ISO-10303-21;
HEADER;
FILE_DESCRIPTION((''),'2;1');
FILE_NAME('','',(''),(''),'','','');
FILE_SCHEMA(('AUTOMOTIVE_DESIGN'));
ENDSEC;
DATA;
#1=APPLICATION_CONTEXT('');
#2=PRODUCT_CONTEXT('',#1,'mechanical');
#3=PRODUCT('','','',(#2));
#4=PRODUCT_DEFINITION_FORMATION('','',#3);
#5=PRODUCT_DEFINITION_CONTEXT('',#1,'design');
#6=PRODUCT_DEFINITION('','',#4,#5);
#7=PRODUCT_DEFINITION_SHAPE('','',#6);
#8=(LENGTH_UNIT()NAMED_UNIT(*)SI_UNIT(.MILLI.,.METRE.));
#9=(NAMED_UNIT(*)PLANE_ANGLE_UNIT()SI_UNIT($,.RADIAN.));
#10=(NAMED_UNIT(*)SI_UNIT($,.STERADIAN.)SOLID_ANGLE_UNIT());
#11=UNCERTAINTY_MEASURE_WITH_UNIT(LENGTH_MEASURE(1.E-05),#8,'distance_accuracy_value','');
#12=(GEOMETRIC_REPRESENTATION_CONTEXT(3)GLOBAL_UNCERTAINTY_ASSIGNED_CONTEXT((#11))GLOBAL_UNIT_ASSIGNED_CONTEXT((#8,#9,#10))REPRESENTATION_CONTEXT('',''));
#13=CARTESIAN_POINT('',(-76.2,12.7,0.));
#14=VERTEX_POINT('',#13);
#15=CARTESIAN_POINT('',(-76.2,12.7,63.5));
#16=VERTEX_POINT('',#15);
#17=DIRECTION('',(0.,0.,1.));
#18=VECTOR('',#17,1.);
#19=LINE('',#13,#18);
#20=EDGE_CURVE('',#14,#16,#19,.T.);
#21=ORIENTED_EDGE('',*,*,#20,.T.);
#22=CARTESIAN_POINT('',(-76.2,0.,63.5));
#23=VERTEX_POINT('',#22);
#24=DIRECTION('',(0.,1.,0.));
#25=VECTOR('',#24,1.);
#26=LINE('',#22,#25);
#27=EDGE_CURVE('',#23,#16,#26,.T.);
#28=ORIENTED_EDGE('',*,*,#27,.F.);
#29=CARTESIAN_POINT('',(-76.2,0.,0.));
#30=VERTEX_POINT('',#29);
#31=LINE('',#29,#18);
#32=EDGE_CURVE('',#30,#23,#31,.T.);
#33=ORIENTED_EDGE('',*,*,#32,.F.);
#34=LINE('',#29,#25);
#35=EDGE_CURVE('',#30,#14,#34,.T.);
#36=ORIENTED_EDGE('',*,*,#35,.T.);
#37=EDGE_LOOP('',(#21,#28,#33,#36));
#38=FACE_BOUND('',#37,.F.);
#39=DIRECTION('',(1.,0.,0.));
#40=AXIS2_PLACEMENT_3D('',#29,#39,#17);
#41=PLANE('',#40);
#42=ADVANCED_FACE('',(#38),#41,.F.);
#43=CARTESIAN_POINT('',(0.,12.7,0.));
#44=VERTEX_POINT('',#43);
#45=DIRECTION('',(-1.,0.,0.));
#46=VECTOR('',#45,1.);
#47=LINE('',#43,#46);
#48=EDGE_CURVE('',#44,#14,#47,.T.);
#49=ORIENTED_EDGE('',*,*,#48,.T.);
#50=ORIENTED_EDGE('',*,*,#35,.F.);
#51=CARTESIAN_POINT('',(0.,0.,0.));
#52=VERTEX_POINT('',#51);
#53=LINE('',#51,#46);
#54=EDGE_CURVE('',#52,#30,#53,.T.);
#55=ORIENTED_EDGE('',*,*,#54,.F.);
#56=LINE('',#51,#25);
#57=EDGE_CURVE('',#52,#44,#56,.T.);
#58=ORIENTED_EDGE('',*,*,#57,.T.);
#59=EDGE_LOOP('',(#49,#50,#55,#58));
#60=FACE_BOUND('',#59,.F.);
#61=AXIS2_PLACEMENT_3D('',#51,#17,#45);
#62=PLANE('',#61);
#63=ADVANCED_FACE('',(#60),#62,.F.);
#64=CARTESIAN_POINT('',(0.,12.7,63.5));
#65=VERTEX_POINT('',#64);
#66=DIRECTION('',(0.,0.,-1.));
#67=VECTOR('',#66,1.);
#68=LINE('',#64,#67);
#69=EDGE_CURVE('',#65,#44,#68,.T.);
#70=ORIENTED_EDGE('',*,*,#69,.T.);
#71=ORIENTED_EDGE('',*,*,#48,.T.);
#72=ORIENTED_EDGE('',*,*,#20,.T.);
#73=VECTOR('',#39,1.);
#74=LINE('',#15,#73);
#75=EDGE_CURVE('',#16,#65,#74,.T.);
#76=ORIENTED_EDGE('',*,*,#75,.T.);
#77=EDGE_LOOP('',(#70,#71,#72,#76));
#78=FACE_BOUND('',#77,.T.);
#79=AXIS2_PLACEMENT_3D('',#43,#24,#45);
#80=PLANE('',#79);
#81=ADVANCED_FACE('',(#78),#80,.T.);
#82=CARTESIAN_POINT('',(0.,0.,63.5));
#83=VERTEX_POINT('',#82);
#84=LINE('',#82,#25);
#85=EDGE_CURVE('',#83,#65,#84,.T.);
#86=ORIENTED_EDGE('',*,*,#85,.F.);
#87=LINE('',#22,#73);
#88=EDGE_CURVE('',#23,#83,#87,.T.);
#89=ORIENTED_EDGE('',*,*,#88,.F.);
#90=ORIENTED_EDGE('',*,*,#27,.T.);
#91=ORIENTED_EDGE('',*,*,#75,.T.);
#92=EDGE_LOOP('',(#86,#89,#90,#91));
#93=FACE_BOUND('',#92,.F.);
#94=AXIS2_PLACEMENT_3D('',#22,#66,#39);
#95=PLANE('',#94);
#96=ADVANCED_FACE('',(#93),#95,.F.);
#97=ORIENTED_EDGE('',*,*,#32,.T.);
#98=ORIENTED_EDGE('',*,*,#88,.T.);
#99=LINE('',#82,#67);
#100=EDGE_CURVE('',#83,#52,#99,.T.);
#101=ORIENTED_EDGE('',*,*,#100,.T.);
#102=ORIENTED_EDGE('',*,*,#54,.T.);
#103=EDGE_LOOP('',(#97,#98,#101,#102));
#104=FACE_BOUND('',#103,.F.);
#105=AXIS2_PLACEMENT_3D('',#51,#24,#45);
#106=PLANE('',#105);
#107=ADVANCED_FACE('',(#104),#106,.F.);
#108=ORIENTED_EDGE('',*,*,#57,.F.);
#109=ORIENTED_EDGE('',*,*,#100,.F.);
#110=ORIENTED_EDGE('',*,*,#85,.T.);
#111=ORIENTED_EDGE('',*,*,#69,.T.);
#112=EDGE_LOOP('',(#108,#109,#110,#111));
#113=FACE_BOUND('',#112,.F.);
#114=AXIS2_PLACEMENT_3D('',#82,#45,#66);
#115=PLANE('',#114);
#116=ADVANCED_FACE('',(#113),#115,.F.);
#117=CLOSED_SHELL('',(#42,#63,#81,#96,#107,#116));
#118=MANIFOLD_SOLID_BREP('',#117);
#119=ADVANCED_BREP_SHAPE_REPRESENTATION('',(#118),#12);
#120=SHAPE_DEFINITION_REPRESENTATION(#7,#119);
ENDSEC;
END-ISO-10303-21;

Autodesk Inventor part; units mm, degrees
ref_plane "YZ Plane" through (0, 0, 0) normal (1, 0, 0) x (0, 1, 0)
ref_plane "XZ Plane" through (0, 0, 0) normal (0, 1, 0) x (-1, 0, 0)
ref_plane "XY Plane" through (0, 0, 0) normal (0, 0, 1) x (1, 0, 0)
sketch "Sketch2" plane through (0, 0, 0) normal (0, 1, 0) x (-1, 0, 0)
  line L0 (0, 0) -> (76.2, 0)
  line L1 (76.2, 0) -> (76.2, 63.5)
  line L2 (76.2, 63.5) -> (0, 63.5)
  line L3 (0, 63.5) -> (0, 0)
  dimension "d5" = 76.2
  dimension "d6" = 63.5
extrude "Extrusion2" add sketch "Sketch2" along normal blind 12.7
properties part number "AdafruitBoard"
